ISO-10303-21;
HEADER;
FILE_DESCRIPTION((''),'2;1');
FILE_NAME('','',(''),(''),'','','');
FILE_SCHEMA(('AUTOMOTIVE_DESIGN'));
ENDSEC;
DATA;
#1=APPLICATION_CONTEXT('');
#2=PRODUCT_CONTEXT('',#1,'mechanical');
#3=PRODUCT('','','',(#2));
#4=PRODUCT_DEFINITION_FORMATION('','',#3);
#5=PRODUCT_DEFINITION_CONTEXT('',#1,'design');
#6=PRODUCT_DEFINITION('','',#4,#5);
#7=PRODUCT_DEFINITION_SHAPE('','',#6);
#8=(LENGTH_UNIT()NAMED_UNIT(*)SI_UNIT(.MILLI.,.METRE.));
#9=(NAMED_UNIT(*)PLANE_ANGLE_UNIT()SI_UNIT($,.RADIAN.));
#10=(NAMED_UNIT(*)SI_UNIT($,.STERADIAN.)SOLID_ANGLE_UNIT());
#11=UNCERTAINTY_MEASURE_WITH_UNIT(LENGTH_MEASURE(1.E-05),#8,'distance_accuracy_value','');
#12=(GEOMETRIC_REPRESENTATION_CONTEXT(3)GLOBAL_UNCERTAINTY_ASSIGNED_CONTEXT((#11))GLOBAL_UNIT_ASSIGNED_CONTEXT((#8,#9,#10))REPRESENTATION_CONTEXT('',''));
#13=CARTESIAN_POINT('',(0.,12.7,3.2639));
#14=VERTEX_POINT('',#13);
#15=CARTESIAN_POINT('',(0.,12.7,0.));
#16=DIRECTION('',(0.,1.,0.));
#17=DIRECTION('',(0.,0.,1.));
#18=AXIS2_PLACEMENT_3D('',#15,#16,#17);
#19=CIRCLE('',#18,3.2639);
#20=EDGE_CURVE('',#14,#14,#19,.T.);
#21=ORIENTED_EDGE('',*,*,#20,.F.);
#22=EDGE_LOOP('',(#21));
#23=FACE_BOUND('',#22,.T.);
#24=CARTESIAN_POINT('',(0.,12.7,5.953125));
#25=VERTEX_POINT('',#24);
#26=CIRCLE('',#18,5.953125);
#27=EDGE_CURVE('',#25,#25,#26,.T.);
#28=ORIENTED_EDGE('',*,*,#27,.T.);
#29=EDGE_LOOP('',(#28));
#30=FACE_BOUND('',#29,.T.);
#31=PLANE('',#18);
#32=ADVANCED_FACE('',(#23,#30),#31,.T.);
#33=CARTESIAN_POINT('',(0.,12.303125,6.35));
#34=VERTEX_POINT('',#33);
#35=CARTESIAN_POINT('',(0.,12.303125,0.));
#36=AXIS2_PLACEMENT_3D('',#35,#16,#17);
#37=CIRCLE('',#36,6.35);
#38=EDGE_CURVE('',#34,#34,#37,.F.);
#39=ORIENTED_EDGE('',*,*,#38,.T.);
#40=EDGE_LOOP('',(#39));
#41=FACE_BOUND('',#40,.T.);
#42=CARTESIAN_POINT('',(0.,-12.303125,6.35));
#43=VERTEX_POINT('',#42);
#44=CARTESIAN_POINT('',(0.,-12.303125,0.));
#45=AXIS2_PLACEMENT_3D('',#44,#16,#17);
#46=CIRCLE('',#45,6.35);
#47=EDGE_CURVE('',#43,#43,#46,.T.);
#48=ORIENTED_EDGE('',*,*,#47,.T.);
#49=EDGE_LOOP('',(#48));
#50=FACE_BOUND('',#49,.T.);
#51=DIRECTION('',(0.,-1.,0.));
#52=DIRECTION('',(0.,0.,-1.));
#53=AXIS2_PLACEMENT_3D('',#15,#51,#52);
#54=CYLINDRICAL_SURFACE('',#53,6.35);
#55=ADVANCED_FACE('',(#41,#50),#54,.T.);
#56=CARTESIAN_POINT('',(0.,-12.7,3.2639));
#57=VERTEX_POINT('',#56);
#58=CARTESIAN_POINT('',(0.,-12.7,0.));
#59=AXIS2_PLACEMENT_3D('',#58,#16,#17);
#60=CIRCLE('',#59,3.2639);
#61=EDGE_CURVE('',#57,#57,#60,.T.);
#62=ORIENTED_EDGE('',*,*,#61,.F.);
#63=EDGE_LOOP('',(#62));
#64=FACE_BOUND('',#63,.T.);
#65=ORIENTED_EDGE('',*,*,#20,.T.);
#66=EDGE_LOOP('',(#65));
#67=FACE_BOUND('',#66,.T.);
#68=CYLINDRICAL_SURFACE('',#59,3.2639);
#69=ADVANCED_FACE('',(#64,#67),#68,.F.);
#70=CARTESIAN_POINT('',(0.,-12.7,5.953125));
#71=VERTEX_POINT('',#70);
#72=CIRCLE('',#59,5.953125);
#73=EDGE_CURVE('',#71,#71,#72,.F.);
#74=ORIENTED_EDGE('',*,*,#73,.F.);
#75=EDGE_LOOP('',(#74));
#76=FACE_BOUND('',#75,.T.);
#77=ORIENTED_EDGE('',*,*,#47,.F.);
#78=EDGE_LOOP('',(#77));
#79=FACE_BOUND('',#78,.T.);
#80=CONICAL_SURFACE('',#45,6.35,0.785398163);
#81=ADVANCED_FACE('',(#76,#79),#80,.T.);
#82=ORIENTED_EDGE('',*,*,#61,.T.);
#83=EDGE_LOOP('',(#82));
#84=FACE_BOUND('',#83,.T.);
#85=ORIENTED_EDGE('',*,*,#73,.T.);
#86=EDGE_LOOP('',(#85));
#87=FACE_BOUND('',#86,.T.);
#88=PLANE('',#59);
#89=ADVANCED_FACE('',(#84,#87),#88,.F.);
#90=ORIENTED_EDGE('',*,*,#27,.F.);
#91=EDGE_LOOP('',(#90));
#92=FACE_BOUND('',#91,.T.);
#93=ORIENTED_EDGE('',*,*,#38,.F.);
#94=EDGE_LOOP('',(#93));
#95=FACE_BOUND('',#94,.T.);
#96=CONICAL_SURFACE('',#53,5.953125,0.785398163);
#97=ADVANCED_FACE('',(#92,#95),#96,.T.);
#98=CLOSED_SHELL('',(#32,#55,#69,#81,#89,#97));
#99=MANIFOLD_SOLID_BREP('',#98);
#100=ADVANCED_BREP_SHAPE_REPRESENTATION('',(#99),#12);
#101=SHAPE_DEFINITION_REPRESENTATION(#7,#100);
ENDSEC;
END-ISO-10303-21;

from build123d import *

# Parameters (mm, degrees)
CROQUIS2_R                = 6.35
SALIENTE_EXTRUIR1_DEPTH   = 12.7
CHAFL_N1_SIZE             = 0.396875
CLEARANCE_HOLE_DEPTH      = 16.554259867
CLEARANCE_HOLE_DEPTH_BACK = 16.554259867
CROQUIS4_R                = 3.2639


with BuildPart() as part:
    # Croquis2 → Saliente-Extruir1 (new, symmetric)
    with BuildSketch(Plane(origin=(0, 0, 0), x_dir=(1, 0, 0), z_dir=(0, 1, 0))):
        Circle(CROQUIS2_R)
    extrude(amount=SALIENTE_EXTRUIR1_DEPTH, both=True)

    # Chaflán1
    chafl_n1_edges = [part.edges().sort_by_distance(p)[0] for p in [
        (-6.35, -12.7, 0),
        (-6.35, 12.7, 0),
    ]]
    chamfer(chafl_n1_edges, length=CHAFL_N1_SIZE)

    # Croquis4 → Clearance Hole (cut, two sides: drawn at the far end of the back side and taken through both)
    with BuildSketch(Plane(origin=(0, 0, 0), x_dir=(1, 0, 0), z_dir=(0, 1, 0)).offset(-CLEARANCE_HOLE_DEPTH_BACK)):
        Circle(CROQUIS4_R)
    extrude(amount=CLEARANCE_HOLE_DEPTH + CLEARANCE_HOLE_DEPTH_BACK, mode=Mode.SUBTRACT)


solid = part.part
